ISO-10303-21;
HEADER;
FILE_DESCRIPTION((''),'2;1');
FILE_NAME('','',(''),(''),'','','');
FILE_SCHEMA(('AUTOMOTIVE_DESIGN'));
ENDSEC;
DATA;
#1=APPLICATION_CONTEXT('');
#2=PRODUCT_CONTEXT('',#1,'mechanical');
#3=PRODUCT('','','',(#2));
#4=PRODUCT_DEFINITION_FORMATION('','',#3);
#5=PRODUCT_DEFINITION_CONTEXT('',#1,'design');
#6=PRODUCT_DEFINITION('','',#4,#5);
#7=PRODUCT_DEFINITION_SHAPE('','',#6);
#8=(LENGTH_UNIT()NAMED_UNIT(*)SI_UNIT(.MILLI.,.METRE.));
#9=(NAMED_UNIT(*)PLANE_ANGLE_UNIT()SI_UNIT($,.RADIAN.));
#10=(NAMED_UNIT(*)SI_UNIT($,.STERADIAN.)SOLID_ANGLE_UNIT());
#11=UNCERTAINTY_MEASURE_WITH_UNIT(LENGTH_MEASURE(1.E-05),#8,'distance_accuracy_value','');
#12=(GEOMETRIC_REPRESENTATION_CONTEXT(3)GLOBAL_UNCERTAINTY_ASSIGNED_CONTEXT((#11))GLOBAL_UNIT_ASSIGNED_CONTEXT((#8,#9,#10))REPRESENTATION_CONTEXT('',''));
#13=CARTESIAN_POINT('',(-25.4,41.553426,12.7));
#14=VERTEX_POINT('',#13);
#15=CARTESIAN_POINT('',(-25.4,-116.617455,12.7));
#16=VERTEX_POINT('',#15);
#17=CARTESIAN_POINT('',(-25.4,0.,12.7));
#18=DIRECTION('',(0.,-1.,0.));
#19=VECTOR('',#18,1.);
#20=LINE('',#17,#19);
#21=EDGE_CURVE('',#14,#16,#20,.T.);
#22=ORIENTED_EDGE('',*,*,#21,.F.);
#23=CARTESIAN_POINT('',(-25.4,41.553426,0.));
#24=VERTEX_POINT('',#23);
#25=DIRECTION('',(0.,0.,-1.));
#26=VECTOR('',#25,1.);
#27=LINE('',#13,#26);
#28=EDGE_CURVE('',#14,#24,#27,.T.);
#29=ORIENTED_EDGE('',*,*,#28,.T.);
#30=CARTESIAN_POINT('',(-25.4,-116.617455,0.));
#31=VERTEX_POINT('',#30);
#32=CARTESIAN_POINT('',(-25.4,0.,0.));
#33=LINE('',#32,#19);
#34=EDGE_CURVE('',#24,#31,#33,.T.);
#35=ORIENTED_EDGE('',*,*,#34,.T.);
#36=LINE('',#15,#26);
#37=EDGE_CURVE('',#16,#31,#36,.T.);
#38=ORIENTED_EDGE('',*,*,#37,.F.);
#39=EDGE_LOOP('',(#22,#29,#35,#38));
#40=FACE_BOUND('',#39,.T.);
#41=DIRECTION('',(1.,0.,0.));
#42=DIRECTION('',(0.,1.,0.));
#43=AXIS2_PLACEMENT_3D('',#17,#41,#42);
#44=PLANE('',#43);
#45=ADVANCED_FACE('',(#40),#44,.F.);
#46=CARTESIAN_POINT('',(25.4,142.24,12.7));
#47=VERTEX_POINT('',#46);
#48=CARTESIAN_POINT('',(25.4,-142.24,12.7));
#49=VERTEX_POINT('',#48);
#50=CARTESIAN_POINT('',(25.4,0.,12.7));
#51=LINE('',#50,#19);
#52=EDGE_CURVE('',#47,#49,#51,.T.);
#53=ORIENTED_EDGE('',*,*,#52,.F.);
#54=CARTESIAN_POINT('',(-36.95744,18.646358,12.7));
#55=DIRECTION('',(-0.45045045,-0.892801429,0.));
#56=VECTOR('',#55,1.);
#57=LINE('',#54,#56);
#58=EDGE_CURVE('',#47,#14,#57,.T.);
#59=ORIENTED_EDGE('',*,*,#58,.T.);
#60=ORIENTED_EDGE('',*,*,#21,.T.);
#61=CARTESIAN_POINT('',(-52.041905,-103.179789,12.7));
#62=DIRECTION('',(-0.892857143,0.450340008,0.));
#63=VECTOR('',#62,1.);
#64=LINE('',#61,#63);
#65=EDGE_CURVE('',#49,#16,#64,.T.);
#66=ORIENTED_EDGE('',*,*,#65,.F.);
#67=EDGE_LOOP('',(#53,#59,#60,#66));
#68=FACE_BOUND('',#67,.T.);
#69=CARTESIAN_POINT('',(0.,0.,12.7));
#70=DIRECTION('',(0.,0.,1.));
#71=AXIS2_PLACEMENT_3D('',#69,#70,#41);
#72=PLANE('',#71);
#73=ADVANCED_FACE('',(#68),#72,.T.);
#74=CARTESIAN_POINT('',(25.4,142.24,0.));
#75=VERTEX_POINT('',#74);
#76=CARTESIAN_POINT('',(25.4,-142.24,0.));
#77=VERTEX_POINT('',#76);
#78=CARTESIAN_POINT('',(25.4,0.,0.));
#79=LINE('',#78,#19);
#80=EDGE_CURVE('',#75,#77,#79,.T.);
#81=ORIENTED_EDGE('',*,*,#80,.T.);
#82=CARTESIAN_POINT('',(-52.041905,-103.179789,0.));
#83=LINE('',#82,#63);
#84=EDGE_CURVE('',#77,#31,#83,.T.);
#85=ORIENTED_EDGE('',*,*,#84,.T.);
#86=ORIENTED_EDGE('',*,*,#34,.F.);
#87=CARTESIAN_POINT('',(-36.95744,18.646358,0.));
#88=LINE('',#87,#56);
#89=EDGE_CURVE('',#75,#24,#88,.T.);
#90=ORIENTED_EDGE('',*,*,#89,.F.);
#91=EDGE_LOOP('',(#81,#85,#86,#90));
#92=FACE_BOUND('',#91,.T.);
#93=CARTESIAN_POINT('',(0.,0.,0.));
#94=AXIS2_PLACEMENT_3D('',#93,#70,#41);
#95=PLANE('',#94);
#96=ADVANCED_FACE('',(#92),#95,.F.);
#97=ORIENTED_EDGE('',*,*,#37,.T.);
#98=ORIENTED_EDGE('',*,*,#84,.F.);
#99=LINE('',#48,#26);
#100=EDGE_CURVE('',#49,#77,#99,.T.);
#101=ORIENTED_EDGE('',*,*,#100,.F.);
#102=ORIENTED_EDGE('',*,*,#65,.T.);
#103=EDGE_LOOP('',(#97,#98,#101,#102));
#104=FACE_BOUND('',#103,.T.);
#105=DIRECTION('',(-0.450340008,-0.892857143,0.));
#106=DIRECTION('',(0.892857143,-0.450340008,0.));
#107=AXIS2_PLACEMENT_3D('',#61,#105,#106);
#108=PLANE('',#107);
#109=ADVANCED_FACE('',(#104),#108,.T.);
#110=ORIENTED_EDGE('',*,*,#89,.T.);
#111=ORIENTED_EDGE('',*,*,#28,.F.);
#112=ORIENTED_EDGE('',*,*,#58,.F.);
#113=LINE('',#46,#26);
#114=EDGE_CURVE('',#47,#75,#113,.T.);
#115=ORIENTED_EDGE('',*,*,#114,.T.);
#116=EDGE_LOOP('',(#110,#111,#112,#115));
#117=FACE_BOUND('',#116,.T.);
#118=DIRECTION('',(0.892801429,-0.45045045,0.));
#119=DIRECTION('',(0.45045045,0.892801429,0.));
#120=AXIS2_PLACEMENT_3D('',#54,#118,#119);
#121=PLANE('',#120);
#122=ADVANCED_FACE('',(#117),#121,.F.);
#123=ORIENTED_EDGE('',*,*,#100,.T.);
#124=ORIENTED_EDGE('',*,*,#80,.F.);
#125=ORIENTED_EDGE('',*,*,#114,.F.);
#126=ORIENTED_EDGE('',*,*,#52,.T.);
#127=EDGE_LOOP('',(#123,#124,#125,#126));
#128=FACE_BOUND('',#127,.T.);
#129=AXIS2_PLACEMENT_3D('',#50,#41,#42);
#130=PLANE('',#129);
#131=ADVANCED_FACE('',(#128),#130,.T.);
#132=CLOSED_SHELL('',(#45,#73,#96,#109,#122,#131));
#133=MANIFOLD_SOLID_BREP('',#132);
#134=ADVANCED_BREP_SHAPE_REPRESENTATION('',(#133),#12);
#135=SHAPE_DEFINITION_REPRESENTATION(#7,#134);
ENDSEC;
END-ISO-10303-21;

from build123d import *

# Parameters (mm, degrees)
BOSS_EXTRUDE1_DEPTH = 12.7


with BuildPart() as part:
    # Sketch1 → Boss-Extrude1 (new body)
    with BuildSketch(Plane.XY):
        Polygon((25.4, -142.24), (25.4, 142.24), (-25.4, 41.553426039), (-25.4, -116.617454927), align=None)
    extrude(amount=BOSS_EXTRUDE1_DEPTH)


solid = part.part
